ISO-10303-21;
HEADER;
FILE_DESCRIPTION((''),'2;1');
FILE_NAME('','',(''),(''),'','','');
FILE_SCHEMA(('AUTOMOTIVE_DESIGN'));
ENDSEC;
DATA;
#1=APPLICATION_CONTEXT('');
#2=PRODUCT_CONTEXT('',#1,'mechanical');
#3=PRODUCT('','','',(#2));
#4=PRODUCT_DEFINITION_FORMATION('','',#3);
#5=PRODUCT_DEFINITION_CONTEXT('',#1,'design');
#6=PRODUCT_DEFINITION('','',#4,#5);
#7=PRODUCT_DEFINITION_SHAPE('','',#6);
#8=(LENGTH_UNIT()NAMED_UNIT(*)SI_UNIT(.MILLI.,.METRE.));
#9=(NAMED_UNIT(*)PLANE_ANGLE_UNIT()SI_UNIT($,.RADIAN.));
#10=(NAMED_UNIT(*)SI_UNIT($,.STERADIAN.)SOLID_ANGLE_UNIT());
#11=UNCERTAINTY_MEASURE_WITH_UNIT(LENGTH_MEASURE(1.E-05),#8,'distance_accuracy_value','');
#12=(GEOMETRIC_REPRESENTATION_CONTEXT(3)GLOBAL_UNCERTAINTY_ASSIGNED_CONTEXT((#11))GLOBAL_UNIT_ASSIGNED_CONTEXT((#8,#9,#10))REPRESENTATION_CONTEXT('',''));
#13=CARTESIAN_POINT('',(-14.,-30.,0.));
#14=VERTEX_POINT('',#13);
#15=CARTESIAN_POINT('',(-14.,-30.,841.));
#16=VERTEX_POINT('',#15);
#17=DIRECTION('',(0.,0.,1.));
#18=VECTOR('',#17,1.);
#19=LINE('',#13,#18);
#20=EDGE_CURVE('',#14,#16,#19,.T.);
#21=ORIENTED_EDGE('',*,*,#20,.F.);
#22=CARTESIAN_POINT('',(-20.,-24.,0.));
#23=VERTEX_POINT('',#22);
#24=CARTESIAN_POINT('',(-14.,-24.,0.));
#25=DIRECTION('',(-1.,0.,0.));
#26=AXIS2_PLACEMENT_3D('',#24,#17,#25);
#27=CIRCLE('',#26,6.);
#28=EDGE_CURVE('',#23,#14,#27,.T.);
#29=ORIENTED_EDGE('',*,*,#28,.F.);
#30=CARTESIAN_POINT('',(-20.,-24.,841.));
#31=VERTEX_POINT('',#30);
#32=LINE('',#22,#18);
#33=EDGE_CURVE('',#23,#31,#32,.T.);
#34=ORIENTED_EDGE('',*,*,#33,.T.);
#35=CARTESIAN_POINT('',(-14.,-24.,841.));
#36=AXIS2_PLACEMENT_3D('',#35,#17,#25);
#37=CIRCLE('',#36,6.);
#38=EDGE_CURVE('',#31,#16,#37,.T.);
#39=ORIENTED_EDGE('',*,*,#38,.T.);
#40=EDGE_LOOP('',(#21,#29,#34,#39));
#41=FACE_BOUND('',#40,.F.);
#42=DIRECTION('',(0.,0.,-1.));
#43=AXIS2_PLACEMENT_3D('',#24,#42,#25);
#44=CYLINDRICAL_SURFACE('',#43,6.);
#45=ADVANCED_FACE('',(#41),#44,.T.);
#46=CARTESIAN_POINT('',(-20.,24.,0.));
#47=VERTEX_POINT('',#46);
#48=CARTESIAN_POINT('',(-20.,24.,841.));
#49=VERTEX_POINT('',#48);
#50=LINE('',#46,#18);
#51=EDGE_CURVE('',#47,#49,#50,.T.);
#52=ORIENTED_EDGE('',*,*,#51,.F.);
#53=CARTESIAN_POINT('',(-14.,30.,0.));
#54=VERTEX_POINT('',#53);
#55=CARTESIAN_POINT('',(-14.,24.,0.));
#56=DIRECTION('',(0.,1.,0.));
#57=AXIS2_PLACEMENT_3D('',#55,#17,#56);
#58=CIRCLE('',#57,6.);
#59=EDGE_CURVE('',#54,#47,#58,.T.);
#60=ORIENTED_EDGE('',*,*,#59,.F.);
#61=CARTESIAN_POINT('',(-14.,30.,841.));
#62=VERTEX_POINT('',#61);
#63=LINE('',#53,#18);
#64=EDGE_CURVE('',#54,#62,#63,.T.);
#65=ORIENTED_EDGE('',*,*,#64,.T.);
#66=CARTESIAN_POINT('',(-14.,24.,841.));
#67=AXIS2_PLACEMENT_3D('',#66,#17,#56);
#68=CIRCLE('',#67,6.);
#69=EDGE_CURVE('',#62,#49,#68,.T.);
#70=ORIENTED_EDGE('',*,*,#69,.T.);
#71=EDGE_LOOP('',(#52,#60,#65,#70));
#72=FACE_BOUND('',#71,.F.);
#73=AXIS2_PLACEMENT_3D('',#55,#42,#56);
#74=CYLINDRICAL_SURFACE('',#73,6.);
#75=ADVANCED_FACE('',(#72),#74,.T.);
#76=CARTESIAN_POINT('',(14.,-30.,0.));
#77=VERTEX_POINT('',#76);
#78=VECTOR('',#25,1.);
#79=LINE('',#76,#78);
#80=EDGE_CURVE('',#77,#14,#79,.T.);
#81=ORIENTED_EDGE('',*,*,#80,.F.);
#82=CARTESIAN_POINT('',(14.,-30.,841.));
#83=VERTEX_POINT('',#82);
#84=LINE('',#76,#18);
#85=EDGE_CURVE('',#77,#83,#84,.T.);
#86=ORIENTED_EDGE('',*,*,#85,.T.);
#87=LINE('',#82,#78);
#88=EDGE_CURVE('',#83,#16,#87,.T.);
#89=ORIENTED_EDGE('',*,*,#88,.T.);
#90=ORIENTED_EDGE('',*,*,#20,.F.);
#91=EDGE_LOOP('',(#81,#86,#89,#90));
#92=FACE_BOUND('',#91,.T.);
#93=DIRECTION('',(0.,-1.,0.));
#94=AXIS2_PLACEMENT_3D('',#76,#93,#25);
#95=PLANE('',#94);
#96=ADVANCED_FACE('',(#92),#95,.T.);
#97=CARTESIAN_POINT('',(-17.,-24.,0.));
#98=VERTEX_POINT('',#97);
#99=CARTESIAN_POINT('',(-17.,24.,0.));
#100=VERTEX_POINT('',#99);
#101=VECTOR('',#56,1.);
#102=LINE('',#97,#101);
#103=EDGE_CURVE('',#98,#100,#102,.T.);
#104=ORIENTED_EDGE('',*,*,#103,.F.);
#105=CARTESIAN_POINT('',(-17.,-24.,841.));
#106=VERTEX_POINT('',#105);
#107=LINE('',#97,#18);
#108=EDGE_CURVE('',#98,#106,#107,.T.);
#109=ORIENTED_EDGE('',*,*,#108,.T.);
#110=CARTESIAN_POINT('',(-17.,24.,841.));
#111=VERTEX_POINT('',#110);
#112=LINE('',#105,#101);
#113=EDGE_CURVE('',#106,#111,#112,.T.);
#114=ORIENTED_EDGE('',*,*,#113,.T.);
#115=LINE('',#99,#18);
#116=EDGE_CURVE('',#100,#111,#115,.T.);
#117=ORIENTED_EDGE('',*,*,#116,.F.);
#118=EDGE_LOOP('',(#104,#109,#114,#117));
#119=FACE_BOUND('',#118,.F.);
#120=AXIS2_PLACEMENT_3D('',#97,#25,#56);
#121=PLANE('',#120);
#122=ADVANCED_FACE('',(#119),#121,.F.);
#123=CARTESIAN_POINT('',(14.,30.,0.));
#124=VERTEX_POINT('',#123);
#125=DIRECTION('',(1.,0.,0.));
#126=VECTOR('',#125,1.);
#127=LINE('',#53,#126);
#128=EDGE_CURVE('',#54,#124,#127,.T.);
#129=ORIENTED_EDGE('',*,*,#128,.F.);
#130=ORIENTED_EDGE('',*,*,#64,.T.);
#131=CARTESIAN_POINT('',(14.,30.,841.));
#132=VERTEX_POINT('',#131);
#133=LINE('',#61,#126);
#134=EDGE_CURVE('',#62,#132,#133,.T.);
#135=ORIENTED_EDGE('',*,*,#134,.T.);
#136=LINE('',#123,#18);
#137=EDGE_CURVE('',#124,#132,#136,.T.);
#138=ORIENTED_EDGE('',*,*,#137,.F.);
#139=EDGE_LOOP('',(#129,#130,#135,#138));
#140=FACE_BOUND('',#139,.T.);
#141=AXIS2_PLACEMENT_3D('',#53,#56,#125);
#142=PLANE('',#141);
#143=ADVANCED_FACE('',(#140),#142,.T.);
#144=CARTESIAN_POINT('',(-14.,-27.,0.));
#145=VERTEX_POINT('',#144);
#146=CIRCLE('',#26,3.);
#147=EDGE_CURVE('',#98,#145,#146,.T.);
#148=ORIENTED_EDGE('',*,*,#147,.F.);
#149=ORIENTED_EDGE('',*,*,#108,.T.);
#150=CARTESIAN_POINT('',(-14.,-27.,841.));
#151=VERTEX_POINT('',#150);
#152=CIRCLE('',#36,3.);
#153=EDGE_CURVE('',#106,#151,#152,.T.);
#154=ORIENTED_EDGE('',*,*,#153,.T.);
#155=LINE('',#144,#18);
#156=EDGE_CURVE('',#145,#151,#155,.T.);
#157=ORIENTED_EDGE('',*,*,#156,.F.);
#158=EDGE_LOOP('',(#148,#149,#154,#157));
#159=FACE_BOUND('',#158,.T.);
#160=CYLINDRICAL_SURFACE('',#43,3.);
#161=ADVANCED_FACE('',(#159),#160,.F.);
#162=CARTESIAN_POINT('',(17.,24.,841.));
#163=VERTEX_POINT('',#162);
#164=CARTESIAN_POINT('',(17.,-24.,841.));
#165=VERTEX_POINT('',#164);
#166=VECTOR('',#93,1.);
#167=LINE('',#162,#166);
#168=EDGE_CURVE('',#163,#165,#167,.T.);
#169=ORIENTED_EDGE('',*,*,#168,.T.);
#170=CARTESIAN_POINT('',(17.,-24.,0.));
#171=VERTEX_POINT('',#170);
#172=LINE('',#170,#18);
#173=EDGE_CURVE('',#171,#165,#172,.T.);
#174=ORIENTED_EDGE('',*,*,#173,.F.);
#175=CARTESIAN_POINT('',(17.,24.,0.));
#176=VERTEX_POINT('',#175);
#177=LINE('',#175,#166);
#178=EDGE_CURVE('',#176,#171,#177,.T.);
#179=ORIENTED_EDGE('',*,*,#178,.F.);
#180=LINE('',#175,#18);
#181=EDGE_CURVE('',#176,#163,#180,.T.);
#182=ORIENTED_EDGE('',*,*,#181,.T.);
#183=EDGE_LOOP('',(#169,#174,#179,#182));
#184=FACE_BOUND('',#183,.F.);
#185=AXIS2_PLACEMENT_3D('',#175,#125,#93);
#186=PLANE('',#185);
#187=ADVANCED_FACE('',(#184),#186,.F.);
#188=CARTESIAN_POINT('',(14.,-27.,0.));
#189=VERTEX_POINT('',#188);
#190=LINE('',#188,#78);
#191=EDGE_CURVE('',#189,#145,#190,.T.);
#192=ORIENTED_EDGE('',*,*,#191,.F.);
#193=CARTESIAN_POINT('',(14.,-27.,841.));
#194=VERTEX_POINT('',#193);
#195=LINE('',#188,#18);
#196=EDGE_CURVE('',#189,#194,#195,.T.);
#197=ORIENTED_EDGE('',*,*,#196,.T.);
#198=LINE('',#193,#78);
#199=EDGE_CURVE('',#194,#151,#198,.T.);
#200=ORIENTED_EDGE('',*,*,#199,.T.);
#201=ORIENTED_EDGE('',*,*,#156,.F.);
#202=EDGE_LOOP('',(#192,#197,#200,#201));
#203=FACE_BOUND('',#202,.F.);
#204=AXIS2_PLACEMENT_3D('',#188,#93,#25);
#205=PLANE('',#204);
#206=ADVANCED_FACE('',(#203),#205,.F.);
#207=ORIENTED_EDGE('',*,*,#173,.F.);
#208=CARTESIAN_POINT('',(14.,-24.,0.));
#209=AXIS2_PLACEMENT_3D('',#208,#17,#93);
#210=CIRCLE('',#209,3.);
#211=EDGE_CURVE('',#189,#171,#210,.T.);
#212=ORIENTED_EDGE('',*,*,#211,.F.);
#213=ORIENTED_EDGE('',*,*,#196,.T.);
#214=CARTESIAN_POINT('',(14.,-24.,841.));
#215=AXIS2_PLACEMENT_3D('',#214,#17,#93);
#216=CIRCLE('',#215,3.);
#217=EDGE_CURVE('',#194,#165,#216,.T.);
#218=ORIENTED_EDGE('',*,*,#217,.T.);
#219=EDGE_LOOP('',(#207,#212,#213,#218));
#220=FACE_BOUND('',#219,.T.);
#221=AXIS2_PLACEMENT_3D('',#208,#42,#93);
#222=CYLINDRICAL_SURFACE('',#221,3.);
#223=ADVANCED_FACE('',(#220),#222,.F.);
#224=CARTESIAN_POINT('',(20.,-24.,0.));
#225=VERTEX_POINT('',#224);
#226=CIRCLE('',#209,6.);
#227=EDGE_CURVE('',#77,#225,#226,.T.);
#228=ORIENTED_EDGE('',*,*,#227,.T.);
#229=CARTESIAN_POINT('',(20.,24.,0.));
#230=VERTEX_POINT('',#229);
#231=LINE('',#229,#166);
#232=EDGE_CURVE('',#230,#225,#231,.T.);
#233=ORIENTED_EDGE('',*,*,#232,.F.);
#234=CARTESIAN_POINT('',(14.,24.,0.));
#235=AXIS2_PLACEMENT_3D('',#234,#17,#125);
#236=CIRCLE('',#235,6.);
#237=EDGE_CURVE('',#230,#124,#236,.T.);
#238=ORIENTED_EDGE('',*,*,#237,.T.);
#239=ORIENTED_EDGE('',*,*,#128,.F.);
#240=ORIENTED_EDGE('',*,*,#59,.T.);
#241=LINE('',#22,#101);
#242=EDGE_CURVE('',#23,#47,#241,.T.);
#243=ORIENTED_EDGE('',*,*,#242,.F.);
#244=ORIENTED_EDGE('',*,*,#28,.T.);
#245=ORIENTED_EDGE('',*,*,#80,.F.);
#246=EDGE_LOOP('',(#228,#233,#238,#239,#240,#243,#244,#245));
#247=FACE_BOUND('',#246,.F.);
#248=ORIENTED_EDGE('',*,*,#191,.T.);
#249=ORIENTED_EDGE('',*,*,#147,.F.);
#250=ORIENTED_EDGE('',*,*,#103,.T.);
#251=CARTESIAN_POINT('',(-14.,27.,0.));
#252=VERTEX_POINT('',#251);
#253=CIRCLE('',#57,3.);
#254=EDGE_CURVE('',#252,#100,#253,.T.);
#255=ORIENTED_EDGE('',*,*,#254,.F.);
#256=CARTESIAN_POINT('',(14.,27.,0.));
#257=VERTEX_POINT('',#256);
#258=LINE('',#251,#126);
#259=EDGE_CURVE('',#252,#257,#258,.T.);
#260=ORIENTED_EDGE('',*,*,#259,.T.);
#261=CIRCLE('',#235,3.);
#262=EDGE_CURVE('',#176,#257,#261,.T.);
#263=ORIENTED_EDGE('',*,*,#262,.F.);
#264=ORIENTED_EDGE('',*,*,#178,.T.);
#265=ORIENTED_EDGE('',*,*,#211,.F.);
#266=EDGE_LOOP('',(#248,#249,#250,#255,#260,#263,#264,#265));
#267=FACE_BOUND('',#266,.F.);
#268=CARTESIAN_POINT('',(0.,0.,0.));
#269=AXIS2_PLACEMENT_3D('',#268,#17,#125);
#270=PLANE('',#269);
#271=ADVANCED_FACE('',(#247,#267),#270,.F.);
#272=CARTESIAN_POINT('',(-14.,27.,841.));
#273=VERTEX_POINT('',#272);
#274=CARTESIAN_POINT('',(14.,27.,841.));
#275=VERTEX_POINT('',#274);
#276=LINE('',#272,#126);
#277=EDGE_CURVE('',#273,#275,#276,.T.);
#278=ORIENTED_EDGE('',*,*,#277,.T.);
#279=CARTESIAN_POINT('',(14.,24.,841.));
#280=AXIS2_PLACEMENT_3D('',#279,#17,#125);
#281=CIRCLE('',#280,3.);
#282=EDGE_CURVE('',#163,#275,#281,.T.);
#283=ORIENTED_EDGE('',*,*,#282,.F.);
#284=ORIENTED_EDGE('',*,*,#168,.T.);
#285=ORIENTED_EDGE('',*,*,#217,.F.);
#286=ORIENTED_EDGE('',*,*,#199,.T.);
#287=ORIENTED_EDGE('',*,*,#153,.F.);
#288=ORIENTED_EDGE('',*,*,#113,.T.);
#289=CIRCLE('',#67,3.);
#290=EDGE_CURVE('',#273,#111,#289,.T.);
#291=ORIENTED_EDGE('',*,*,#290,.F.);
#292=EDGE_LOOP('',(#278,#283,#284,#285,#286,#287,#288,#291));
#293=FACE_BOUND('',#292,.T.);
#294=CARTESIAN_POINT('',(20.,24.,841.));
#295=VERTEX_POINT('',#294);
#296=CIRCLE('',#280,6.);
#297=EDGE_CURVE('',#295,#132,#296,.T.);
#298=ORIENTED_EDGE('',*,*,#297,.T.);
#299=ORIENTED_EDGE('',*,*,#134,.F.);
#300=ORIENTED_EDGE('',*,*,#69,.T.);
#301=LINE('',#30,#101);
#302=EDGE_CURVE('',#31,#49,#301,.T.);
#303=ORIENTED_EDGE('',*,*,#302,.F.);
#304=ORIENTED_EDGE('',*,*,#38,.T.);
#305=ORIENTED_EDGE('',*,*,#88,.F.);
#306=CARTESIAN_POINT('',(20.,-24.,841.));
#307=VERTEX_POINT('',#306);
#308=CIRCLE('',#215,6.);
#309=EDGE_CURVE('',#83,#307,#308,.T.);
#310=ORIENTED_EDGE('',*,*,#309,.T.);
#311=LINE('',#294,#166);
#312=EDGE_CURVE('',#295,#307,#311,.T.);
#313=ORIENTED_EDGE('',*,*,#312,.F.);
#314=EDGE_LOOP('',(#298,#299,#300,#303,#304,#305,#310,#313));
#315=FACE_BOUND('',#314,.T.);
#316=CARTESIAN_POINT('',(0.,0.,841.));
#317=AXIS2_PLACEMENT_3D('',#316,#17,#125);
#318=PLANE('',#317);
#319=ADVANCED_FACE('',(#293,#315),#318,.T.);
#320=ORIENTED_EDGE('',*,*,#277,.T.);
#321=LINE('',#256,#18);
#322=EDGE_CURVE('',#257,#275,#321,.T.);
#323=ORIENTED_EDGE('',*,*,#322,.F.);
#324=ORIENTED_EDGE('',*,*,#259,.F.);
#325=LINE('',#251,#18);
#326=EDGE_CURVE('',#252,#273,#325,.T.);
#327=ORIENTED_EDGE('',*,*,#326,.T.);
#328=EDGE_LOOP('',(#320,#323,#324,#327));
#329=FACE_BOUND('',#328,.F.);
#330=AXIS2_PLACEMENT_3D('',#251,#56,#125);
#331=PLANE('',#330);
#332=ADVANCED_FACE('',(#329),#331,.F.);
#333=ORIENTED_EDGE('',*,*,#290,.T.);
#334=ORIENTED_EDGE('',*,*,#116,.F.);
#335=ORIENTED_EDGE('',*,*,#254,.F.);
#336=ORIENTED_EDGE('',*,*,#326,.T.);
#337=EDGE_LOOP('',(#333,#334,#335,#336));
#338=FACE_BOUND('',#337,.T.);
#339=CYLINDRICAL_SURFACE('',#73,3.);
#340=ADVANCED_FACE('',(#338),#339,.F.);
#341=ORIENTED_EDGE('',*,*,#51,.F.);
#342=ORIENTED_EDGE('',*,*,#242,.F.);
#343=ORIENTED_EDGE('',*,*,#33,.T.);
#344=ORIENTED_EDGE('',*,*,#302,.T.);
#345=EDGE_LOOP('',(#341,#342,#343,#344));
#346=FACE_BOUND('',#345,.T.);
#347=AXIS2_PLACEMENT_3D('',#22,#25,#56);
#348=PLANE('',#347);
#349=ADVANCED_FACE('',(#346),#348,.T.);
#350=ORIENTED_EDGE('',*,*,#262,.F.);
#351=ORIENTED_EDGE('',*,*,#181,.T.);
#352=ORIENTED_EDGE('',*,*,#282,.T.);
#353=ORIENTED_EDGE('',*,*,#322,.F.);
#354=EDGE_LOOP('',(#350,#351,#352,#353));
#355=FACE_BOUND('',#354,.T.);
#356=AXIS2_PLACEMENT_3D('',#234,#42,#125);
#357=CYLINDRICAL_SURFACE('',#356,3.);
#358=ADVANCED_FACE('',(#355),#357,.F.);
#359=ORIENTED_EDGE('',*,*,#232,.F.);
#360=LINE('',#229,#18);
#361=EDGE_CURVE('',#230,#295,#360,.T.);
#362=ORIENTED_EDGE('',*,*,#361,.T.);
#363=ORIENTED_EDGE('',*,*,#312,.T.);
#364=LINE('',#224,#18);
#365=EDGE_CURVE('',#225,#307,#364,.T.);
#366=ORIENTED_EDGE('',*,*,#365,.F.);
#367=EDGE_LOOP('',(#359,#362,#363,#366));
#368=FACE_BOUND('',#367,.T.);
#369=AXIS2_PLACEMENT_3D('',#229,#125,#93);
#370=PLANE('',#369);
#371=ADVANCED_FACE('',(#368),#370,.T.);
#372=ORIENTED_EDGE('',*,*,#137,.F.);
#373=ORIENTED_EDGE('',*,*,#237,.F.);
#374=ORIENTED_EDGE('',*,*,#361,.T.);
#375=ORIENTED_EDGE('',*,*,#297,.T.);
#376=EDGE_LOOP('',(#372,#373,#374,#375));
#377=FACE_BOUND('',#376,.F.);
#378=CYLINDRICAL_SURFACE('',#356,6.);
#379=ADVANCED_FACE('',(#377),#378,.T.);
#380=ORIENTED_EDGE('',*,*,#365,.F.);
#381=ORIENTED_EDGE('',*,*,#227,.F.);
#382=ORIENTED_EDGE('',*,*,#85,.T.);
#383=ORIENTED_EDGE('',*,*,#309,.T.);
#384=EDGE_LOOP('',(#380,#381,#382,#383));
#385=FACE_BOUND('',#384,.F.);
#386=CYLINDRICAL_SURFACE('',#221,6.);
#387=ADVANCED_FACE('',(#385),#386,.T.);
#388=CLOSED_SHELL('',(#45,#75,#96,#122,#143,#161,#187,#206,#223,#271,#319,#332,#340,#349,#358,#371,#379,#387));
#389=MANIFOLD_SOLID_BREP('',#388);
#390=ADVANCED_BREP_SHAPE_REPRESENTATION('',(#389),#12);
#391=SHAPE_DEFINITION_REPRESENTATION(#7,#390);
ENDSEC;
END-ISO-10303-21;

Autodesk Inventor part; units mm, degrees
ref_plane "YZ Plane" through (0, 0, 0) normal (1, 0, 0) x (0, 1, 0)
ref_plane "Start Plane" through (0, 0, 0) normal (0, 0, 1) x (1, 0, 0)
ref_plane "End Plane" through (0, 0, 841) normal (0, 0, 1) x (1, 0, 0)
sketch "Sketch" plane through (0, 0, 0) normal (0, 0, 1) x (1, 0, 0)
  line L0 (-20, -24) -> (-20, 24)
  line L1 (-14, 30) -> (14, 30)
  line L2 (20, 24) -> (20, -24)
  line L3 (14, -30) -> (-14, -30)
  arc A0 (-20, -24) -> (-14, -30) centre (-14, -24) ccw
  arc A1 (20, 24) -> (14, 30) centre (14, 24) ccw
  arc A2 (-14, 30) -> (-20, 24) centre (-14, 24) ccw
  arc A3 (14, -30) -> (20, -24) centre (14, -24) ccw
  arc A4 (-14, 27) -> (-17, 24) centre (-14, 24) ccw
  line L4 (-14, 27) -> (14, 27)
  arc A5 (17, 24) -> (14, 27) centre (14, 24) ccw
  line L5 (17, 24) -> (17, -24)
  arc A6 (14, -27) -> (17, -24) centre (14, -24) ccw
  line L6 (14, -27) -> (-14, -27)
  arc A7 (-17, -24) -> (-14, -27) centre (-14, -24) ccw
  line L7 (-17, -24) -> (-17, 24)
  line L8 (0, 43.7397) -> (0, -43.7397) construction
  line L9 (-29.7397, 0) -> (29.7397, 0) construction
  dimension "d7" = 6
  dimension "d9" = 40
  dimension "d11" = 60
  dimension "d12" = 3
  dimension "d15" = 20
  dimension "d16" = 30
extrude "Body" add sketch "Sketch" along normal up to surface (841 mm away) from surface at 0
sketch "Sketch3" plane through (0, 0, 0) normal (0, 0, 1) x (1, 0, 0)
  line L0 (0, 0) -> (10, 0)
ref_plane "Work Plane3" through (0, 0, 0) normal (0, -1, 0) x (1, 0, 0)
sketch "Sketch4" plane through (0, 0, 0) normal (0, -1, 0) x (1, 0, 0)
  line L0 (-2, 0) -> (12, 0) projected
  line L1 (-2, 841) -> (12, 841) projected
  dimension "d18" = 841
equation "\"d7\" = G_IR"
equation "\"d9\" = G_W"
equation "\"d11\" = G_H"
equation "\"d12\" = G_T"
equation "\"d15\" = 0.5 * d9"
equation "\"d16\" = 0.5 * d11"
equation "\"d3\" = G_L"
equation "\"G_W\" = 40"
equation "\"G_H\" = 60"
equation "\"G_T\" = 3"
equation "\"G_IR\" = 6"
equation "\"G_L\" = d18"
equation "\"G_OFFSET_START\" = 0"
equation "\"G_OFFSET_END\" = 0"
equation "\"d14\" = G_OFFSET_END + B_L"
equation "\"B_L\" = 841"
properties part number "ISO 4019 - 60x40x3 - 841" material "Steel, Mild"
